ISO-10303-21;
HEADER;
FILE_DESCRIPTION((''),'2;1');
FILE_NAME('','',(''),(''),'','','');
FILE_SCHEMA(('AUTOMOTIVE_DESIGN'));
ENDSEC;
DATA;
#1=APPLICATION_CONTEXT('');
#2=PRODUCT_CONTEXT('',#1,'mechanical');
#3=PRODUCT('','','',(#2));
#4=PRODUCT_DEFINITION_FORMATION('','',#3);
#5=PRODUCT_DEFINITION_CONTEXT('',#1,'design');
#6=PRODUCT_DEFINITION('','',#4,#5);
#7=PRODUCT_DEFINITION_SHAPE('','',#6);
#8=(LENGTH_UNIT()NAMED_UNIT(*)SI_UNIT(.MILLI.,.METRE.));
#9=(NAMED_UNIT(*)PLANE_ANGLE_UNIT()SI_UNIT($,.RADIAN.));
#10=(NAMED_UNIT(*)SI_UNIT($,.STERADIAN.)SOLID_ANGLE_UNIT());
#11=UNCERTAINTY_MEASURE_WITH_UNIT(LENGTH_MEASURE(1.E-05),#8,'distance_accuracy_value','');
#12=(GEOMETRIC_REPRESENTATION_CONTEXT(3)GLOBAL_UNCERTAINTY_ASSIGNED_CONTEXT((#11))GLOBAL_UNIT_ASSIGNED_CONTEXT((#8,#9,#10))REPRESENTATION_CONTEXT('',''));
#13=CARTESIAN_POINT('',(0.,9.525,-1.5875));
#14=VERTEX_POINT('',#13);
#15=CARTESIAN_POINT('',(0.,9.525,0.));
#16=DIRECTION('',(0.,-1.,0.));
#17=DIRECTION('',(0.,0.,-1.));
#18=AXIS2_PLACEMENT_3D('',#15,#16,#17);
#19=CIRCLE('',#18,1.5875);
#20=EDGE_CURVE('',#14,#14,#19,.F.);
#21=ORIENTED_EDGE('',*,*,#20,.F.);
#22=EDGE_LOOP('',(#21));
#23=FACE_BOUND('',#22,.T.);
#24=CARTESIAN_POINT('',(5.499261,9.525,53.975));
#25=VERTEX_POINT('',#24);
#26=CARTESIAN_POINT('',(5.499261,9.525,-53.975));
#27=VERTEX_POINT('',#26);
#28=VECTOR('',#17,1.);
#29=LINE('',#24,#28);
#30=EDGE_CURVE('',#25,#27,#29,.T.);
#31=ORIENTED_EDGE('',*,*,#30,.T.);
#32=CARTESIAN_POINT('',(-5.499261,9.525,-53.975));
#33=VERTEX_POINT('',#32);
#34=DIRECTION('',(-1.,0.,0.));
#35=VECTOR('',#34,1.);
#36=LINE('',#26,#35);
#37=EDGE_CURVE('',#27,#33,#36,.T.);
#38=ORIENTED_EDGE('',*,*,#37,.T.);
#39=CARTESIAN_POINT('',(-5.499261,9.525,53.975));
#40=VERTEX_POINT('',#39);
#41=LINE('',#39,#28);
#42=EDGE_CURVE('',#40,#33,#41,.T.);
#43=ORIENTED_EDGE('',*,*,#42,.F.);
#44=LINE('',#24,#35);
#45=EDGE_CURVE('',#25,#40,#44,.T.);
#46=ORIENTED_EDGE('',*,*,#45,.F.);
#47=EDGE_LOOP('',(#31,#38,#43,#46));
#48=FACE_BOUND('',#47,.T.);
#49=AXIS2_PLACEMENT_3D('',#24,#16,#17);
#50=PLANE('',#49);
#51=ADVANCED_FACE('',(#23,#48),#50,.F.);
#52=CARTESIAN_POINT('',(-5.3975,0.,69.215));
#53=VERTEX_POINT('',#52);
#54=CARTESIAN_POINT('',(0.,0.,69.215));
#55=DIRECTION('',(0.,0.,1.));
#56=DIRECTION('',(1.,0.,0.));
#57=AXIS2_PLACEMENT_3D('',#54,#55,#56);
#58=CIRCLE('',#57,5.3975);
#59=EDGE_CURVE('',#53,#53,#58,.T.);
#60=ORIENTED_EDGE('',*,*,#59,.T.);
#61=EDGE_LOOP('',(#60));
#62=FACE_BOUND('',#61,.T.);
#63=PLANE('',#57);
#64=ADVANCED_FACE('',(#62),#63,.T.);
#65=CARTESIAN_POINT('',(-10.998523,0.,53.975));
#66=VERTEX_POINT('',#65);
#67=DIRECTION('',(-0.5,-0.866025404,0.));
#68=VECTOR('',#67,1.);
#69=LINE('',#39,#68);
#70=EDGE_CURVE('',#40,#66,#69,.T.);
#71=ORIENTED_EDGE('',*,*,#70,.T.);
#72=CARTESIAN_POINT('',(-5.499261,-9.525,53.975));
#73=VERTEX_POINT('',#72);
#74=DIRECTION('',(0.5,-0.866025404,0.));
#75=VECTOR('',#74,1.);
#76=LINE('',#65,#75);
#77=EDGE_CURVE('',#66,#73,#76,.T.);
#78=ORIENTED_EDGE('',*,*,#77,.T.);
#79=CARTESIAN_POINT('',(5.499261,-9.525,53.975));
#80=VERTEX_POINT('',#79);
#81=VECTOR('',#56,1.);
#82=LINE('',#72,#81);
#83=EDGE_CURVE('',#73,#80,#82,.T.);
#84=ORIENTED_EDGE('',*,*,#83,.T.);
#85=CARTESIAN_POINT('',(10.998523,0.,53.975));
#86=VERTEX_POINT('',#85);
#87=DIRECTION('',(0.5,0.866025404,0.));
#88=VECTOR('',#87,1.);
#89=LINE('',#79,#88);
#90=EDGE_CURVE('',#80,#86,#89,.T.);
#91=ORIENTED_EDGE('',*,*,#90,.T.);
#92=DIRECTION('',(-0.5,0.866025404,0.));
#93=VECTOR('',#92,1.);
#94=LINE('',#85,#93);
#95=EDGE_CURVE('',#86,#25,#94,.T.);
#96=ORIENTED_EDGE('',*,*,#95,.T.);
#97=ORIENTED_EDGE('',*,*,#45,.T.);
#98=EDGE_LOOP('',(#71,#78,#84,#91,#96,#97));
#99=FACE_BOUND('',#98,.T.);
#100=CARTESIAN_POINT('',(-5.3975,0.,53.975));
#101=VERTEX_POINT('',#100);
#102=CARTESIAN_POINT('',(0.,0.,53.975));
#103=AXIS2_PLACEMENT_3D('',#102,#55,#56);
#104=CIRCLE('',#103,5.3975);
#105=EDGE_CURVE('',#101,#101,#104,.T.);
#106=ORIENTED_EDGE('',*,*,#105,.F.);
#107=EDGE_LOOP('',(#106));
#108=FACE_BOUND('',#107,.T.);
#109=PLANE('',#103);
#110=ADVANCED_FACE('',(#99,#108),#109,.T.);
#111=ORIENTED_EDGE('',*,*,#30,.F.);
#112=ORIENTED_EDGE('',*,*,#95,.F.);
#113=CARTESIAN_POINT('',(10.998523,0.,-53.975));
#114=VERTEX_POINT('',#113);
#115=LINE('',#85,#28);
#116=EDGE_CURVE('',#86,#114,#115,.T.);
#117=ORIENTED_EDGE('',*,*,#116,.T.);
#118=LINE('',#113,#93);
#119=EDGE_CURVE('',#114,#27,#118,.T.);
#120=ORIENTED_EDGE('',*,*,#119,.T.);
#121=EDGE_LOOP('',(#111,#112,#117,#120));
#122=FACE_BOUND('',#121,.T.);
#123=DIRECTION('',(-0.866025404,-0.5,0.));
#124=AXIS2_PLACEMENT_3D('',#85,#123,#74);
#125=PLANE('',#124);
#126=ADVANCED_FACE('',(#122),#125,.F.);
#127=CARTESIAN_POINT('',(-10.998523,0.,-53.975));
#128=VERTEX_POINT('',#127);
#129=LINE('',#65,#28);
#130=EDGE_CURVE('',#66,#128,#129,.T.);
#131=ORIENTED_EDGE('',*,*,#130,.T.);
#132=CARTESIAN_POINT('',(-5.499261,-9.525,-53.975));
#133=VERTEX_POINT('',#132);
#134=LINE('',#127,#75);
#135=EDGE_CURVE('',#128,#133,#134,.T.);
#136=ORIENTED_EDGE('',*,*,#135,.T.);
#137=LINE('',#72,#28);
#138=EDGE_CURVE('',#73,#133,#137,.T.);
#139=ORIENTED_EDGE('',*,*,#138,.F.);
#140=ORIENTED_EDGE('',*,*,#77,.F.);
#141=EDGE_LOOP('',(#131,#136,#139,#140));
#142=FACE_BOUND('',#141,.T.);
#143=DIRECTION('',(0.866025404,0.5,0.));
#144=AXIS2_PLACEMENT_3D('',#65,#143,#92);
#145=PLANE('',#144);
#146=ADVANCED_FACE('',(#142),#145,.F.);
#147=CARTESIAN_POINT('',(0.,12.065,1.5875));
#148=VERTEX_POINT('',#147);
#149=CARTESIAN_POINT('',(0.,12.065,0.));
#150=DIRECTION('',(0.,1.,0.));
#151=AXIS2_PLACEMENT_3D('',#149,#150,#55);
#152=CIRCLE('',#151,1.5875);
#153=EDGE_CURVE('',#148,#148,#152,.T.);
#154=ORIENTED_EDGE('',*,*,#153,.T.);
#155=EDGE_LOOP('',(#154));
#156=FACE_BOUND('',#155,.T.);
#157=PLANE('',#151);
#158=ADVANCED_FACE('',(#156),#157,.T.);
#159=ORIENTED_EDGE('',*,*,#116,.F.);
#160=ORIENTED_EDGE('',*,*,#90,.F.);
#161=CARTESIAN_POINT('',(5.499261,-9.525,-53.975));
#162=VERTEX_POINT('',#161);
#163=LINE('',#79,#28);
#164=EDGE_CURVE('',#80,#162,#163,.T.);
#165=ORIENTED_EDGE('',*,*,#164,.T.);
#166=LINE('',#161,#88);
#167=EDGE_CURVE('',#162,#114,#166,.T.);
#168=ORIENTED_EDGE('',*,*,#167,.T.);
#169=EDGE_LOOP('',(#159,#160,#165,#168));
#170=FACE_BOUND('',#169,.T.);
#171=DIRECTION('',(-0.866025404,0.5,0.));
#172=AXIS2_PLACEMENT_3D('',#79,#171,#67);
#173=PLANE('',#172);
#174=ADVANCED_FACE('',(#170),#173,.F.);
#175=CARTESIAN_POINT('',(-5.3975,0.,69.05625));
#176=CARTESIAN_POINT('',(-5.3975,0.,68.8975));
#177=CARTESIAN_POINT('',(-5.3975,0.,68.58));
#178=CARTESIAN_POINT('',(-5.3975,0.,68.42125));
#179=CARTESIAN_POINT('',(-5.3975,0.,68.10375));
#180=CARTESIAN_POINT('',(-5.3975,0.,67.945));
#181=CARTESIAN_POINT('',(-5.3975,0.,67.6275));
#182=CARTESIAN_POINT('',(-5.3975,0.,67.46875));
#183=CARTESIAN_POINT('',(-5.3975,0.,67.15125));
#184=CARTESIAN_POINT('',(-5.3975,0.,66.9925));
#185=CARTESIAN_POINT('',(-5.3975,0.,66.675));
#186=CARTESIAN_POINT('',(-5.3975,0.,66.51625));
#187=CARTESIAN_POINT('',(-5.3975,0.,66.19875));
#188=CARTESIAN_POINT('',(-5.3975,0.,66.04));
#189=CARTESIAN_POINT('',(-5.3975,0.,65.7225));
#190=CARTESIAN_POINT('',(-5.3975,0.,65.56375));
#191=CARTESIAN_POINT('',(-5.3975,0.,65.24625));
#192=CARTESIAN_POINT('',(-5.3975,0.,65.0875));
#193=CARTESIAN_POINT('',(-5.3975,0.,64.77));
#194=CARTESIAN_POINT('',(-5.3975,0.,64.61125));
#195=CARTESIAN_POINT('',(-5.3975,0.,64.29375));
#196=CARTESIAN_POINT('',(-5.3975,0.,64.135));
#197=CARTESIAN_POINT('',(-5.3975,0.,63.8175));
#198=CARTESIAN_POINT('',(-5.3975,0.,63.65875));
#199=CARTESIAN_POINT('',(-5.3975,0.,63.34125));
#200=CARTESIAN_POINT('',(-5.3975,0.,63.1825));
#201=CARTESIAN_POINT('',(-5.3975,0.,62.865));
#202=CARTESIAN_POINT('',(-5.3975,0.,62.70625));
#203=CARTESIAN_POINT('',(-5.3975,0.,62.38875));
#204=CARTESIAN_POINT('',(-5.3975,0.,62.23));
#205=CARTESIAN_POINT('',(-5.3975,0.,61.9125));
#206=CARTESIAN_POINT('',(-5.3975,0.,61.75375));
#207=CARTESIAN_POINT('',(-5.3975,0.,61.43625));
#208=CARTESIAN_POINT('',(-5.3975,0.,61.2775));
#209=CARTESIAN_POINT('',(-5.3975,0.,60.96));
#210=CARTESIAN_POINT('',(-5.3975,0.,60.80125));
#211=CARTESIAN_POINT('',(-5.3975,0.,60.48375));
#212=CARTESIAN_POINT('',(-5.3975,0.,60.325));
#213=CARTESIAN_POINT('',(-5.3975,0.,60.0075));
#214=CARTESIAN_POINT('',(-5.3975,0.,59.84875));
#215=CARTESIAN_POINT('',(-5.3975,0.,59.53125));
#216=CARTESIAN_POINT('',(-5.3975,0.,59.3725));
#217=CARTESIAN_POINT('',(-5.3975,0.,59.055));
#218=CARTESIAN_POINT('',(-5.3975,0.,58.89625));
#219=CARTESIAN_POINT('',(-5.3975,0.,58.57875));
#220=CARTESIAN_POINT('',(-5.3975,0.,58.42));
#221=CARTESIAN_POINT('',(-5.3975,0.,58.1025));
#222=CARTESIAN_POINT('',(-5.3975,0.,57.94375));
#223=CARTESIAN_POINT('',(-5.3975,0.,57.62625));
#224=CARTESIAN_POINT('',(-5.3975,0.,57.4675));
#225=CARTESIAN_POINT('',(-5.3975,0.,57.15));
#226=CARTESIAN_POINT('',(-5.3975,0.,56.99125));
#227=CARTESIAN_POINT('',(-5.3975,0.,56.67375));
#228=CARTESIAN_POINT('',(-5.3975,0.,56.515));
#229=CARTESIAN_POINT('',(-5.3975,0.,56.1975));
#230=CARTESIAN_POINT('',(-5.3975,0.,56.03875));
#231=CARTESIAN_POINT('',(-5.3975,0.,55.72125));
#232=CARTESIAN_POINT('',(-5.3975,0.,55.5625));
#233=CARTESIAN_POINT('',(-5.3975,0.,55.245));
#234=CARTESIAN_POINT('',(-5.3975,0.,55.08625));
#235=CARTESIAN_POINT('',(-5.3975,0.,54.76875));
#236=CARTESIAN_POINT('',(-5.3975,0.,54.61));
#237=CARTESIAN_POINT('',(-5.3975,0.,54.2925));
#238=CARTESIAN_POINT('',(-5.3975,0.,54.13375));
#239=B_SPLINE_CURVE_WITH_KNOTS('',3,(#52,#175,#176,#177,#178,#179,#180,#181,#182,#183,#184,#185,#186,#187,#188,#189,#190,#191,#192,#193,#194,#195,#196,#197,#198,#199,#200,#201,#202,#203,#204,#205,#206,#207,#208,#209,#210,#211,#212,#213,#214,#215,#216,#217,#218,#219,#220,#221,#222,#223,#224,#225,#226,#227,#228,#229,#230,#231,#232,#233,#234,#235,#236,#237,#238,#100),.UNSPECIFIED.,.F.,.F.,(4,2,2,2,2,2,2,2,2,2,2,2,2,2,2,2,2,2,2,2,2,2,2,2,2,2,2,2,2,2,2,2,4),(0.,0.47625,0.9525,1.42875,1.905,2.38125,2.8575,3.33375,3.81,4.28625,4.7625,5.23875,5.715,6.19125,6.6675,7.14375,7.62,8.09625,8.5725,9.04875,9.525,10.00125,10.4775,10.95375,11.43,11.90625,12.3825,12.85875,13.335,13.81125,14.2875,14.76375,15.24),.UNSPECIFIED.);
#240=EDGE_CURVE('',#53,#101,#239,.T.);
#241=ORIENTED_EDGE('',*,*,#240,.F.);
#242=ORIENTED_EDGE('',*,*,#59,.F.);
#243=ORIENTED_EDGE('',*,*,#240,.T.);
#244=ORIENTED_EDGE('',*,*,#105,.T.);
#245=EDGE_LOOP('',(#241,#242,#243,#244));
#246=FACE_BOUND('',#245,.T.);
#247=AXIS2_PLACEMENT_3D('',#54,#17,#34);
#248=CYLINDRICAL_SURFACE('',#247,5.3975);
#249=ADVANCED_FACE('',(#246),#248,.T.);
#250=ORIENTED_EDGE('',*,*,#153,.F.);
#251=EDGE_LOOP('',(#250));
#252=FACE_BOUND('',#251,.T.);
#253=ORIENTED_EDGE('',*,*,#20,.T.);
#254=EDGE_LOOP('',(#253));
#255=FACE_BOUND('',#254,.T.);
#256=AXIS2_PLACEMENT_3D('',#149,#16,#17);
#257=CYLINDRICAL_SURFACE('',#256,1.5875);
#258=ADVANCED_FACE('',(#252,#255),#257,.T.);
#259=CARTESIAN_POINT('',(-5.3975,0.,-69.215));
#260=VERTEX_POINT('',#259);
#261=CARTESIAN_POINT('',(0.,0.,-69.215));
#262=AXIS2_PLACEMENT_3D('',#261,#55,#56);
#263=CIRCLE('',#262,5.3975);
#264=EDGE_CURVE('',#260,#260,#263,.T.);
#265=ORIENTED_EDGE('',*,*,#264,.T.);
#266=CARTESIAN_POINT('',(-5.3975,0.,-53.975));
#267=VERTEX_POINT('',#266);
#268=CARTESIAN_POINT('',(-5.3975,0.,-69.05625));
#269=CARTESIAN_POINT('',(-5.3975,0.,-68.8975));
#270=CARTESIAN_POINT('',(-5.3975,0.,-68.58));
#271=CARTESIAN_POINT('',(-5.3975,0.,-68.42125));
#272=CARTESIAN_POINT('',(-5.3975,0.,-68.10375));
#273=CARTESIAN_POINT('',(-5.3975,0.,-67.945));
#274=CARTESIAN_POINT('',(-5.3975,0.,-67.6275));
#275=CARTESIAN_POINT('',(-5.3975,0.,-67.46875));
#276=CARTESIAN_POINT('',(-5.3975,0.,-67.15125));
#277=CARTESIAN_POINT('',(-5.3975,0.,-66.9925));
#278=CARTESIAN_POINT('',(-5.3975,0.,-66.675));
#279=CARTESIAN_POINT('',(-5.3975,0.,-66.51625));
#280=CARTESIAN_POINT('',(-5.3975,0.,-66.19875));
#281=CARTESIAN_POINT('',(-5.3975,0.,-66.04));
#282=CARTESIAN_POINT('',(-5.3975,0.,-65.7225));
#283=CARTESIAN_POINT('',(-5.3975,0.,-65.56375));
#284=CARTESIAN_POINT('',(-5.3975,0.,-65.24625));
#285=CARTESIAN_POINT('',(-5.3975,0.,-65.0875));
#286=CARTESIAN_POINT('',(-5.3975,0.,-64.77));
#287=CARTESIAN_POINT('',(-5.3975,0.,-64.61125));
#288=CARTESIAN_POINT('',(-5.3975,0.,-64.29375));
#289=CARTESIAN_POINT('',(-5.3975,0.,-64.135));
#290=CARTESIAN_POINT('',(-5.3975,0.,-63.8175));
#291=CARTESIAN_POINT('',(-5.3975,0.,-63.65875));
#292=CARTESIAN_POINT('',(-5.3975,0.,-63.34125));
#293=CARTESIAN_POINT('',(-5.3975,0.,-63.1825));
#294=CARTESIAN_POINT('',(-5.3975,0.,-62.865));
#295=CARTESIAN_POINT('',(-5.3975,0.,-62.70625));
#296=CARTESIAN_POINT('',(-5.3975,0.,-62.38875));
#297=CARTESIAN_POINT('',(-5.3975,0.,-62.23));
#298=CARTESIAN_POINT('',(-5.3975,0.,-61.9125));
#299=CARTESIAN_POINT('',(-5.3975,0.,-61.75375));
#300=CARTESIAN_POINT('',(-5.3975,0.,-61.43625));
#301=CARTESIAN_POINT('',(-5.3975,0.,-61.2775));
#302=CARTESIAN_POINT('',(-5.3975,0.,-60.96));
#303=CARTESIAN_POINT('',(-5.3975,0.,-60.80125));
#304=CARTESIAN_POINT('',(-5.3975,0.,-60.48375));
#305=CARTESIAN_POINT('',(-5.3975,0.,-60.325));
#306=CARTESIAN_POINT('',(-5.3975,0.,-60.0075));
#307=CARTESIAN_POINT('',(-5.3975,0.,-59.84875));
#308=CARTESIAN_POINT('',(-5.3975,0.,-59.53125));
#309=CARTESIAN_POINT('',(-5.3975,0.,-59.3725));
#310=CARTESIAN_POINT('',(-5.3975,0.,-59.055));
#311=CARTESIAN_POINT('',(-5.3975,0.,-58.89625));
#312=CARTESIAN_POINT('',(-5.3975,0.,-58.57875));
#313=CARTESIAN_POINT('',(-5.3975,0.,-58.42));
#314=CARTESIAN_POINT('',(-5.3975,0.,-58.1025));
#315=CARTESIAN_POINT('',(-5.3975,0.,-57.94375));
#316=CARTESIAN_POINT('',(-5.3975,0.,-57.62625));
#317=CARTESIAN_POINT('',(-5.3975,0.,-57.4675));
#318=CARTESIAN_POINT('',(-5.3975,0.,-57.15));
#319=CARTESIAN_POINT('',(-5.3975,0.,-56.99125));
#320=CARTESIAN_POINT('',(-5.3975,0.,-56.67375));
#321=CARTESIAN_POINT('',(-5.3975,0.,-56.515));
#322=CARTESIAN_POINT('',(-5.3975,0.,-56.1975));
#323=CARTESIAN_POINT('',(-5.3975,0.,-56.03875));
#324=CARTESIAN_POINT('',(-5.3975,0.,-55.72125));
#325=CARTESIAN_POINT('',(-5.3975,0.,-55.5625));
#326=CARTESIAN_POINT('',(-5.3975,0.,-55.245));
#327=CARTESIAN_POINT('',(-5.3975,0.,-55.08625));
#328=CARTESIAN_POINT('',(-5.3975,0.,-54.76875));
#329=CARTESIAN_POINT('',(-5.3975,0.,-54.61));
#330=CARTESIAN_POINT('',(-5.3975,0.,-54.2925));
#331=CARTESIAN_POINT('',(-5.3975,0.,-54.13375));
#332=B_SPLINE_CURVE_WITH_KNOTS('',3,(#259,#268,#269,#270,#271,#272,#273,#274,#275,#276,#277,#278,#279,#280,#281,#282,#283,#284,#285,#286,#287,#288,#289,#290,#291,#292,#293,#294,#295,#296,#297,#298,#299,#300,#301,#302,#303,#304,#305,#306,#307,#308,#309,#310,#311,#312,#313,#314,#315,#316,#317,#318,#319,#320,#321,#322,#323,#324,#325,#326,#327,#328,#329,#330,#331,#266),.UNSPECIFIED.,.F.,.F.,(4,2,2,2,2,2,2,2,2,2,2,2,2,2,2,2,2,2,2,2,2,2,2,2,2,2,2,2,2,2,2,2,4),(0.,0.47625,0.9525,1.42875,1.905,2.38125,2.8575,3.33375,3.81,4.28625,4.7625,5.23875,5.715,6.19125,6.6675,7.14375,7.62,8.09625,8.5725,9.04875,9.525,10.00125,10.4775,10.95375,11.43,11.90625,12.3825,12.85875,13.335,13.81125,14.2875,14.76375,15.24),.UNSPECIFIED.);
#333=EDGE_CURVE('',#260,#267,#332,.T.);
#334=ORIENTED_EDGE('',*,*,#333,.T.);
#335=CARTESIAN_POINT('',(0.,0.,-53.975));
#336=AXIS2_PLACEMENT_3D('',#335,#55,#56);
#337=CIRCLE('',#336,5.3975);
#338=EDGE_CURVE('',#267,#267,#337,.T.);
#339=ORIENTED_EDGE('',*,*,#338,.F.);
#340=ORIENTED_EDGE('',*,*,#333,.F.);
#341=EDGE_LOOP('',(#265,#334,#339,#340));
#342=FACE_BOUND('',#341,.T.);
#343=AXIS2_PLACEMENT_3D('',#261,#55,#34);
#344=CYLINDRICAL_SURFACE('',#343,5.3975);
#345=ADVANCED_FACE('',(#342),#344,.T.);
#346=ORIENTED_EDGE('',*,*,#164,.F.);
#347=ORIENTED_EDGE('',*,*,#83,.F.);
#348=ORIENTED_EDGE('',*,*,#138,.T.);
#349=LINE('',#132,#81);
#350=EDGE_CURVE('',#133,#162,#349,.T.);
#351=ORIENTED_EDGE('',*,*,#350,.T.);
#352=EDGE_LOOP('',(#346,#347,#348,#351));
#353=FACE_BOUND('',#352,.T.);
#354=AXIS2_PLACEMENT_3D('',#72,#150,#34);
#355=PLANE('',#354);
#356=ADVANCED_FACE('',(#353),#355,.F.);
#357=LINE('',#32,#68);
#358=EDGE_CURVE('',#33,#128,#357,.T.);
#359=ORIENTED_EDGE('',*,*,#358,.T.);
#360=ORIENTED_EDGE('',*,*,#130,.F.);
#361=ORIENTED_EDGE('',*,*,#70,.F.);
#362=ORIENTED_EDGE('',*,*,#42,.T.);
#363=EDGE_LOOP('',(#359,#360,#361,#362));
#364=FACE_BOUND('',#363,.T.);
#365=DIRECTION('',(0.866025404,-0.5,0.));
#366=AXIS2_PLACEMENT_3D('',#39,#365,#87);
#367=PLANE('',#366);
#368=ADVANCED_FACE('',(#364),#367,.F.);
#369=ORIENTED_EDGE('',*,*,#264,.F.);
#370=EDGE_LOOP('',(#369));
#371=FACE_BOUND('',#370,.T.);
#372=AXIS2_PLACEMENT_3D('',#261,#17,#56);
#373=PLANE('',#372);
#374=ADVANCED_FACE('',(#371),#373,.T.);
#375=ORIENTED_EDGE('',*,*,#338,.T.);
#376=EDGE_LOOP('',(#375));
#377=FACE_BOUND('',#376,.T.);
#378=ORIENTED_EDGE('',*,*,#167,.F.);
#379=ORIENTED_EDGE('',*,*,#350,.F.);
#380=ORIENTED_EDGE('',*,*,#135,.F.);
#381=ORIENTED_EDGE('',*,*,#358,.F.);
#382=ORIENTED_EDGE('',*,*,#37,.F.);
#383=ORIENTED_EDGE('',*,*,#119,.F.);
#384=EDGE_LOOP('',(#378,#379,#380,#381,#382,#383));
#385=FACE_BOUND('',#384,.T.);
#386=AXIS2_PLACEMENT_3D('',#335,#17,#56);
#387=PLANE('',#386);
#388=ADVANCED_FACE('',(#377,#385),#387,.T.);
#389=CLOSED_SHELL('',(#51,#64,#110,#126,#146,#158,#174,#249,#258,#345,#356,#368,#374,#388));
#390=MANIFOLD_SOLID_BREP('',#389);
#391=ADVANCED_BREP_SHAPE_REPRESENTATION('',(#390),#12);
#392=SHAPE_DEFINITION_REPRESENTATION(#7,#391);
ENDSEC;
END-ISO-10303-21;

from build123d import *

# Parameters (mm, degrees)
BOSS_EXTRUDE1_DEPTH = 53.975
SKETCH2_R           = 5.3975
BOSS_EXTRUDE2_DEPTH = 15.24
SKETCH3_R           = 1.5875
BOSS_EXTRUDE3_DEPTH = 2.54


with BuildPart() as part:
    # Sketch1 → Boss-Extrude1 (new body)
    with BuildSketch(Plane.XY):
        Polygon((5.499261314, 9.525), (-5.499261314, 9.525), (-10.998522628, 0), (-5.499261314, -9.525), (5.499261314, -9.525), (10.998522628, 0), align=None)
    extrude(amount=BOSS_EXTRUDE1_DEPTH)

    # Sketch2 → Boss-Extrude2 (add)
    with BuildSketch(Plane.XY.offset(53.975)):
        with Locations(Location((0, 0, 0), (0, 0, 180))):
            Circle(SKETCH2_R)
    extrude(amount=BOSS_EXTRUDE2_DEPTH)

    # Mirror1: part across plane


with BuildPart() as part_1:
    add(part.part)
    add(part.part.mirror(Plane.XY))

    # Sketch3 → Boss-Extrude3 (add)
    with BuildSketch(Plane(origin=(0, 9.525, 0), x_dir=(1, 0, 0), z_dir=(0, 1, 0))):
        with Locations(Location((0, 0, 0), (0, 0, 90))):
            Circle(SKETCH3_R)
    extrude(amount=BOSS_EXTRUDE3_DEPTH)


solid = part_1.part
